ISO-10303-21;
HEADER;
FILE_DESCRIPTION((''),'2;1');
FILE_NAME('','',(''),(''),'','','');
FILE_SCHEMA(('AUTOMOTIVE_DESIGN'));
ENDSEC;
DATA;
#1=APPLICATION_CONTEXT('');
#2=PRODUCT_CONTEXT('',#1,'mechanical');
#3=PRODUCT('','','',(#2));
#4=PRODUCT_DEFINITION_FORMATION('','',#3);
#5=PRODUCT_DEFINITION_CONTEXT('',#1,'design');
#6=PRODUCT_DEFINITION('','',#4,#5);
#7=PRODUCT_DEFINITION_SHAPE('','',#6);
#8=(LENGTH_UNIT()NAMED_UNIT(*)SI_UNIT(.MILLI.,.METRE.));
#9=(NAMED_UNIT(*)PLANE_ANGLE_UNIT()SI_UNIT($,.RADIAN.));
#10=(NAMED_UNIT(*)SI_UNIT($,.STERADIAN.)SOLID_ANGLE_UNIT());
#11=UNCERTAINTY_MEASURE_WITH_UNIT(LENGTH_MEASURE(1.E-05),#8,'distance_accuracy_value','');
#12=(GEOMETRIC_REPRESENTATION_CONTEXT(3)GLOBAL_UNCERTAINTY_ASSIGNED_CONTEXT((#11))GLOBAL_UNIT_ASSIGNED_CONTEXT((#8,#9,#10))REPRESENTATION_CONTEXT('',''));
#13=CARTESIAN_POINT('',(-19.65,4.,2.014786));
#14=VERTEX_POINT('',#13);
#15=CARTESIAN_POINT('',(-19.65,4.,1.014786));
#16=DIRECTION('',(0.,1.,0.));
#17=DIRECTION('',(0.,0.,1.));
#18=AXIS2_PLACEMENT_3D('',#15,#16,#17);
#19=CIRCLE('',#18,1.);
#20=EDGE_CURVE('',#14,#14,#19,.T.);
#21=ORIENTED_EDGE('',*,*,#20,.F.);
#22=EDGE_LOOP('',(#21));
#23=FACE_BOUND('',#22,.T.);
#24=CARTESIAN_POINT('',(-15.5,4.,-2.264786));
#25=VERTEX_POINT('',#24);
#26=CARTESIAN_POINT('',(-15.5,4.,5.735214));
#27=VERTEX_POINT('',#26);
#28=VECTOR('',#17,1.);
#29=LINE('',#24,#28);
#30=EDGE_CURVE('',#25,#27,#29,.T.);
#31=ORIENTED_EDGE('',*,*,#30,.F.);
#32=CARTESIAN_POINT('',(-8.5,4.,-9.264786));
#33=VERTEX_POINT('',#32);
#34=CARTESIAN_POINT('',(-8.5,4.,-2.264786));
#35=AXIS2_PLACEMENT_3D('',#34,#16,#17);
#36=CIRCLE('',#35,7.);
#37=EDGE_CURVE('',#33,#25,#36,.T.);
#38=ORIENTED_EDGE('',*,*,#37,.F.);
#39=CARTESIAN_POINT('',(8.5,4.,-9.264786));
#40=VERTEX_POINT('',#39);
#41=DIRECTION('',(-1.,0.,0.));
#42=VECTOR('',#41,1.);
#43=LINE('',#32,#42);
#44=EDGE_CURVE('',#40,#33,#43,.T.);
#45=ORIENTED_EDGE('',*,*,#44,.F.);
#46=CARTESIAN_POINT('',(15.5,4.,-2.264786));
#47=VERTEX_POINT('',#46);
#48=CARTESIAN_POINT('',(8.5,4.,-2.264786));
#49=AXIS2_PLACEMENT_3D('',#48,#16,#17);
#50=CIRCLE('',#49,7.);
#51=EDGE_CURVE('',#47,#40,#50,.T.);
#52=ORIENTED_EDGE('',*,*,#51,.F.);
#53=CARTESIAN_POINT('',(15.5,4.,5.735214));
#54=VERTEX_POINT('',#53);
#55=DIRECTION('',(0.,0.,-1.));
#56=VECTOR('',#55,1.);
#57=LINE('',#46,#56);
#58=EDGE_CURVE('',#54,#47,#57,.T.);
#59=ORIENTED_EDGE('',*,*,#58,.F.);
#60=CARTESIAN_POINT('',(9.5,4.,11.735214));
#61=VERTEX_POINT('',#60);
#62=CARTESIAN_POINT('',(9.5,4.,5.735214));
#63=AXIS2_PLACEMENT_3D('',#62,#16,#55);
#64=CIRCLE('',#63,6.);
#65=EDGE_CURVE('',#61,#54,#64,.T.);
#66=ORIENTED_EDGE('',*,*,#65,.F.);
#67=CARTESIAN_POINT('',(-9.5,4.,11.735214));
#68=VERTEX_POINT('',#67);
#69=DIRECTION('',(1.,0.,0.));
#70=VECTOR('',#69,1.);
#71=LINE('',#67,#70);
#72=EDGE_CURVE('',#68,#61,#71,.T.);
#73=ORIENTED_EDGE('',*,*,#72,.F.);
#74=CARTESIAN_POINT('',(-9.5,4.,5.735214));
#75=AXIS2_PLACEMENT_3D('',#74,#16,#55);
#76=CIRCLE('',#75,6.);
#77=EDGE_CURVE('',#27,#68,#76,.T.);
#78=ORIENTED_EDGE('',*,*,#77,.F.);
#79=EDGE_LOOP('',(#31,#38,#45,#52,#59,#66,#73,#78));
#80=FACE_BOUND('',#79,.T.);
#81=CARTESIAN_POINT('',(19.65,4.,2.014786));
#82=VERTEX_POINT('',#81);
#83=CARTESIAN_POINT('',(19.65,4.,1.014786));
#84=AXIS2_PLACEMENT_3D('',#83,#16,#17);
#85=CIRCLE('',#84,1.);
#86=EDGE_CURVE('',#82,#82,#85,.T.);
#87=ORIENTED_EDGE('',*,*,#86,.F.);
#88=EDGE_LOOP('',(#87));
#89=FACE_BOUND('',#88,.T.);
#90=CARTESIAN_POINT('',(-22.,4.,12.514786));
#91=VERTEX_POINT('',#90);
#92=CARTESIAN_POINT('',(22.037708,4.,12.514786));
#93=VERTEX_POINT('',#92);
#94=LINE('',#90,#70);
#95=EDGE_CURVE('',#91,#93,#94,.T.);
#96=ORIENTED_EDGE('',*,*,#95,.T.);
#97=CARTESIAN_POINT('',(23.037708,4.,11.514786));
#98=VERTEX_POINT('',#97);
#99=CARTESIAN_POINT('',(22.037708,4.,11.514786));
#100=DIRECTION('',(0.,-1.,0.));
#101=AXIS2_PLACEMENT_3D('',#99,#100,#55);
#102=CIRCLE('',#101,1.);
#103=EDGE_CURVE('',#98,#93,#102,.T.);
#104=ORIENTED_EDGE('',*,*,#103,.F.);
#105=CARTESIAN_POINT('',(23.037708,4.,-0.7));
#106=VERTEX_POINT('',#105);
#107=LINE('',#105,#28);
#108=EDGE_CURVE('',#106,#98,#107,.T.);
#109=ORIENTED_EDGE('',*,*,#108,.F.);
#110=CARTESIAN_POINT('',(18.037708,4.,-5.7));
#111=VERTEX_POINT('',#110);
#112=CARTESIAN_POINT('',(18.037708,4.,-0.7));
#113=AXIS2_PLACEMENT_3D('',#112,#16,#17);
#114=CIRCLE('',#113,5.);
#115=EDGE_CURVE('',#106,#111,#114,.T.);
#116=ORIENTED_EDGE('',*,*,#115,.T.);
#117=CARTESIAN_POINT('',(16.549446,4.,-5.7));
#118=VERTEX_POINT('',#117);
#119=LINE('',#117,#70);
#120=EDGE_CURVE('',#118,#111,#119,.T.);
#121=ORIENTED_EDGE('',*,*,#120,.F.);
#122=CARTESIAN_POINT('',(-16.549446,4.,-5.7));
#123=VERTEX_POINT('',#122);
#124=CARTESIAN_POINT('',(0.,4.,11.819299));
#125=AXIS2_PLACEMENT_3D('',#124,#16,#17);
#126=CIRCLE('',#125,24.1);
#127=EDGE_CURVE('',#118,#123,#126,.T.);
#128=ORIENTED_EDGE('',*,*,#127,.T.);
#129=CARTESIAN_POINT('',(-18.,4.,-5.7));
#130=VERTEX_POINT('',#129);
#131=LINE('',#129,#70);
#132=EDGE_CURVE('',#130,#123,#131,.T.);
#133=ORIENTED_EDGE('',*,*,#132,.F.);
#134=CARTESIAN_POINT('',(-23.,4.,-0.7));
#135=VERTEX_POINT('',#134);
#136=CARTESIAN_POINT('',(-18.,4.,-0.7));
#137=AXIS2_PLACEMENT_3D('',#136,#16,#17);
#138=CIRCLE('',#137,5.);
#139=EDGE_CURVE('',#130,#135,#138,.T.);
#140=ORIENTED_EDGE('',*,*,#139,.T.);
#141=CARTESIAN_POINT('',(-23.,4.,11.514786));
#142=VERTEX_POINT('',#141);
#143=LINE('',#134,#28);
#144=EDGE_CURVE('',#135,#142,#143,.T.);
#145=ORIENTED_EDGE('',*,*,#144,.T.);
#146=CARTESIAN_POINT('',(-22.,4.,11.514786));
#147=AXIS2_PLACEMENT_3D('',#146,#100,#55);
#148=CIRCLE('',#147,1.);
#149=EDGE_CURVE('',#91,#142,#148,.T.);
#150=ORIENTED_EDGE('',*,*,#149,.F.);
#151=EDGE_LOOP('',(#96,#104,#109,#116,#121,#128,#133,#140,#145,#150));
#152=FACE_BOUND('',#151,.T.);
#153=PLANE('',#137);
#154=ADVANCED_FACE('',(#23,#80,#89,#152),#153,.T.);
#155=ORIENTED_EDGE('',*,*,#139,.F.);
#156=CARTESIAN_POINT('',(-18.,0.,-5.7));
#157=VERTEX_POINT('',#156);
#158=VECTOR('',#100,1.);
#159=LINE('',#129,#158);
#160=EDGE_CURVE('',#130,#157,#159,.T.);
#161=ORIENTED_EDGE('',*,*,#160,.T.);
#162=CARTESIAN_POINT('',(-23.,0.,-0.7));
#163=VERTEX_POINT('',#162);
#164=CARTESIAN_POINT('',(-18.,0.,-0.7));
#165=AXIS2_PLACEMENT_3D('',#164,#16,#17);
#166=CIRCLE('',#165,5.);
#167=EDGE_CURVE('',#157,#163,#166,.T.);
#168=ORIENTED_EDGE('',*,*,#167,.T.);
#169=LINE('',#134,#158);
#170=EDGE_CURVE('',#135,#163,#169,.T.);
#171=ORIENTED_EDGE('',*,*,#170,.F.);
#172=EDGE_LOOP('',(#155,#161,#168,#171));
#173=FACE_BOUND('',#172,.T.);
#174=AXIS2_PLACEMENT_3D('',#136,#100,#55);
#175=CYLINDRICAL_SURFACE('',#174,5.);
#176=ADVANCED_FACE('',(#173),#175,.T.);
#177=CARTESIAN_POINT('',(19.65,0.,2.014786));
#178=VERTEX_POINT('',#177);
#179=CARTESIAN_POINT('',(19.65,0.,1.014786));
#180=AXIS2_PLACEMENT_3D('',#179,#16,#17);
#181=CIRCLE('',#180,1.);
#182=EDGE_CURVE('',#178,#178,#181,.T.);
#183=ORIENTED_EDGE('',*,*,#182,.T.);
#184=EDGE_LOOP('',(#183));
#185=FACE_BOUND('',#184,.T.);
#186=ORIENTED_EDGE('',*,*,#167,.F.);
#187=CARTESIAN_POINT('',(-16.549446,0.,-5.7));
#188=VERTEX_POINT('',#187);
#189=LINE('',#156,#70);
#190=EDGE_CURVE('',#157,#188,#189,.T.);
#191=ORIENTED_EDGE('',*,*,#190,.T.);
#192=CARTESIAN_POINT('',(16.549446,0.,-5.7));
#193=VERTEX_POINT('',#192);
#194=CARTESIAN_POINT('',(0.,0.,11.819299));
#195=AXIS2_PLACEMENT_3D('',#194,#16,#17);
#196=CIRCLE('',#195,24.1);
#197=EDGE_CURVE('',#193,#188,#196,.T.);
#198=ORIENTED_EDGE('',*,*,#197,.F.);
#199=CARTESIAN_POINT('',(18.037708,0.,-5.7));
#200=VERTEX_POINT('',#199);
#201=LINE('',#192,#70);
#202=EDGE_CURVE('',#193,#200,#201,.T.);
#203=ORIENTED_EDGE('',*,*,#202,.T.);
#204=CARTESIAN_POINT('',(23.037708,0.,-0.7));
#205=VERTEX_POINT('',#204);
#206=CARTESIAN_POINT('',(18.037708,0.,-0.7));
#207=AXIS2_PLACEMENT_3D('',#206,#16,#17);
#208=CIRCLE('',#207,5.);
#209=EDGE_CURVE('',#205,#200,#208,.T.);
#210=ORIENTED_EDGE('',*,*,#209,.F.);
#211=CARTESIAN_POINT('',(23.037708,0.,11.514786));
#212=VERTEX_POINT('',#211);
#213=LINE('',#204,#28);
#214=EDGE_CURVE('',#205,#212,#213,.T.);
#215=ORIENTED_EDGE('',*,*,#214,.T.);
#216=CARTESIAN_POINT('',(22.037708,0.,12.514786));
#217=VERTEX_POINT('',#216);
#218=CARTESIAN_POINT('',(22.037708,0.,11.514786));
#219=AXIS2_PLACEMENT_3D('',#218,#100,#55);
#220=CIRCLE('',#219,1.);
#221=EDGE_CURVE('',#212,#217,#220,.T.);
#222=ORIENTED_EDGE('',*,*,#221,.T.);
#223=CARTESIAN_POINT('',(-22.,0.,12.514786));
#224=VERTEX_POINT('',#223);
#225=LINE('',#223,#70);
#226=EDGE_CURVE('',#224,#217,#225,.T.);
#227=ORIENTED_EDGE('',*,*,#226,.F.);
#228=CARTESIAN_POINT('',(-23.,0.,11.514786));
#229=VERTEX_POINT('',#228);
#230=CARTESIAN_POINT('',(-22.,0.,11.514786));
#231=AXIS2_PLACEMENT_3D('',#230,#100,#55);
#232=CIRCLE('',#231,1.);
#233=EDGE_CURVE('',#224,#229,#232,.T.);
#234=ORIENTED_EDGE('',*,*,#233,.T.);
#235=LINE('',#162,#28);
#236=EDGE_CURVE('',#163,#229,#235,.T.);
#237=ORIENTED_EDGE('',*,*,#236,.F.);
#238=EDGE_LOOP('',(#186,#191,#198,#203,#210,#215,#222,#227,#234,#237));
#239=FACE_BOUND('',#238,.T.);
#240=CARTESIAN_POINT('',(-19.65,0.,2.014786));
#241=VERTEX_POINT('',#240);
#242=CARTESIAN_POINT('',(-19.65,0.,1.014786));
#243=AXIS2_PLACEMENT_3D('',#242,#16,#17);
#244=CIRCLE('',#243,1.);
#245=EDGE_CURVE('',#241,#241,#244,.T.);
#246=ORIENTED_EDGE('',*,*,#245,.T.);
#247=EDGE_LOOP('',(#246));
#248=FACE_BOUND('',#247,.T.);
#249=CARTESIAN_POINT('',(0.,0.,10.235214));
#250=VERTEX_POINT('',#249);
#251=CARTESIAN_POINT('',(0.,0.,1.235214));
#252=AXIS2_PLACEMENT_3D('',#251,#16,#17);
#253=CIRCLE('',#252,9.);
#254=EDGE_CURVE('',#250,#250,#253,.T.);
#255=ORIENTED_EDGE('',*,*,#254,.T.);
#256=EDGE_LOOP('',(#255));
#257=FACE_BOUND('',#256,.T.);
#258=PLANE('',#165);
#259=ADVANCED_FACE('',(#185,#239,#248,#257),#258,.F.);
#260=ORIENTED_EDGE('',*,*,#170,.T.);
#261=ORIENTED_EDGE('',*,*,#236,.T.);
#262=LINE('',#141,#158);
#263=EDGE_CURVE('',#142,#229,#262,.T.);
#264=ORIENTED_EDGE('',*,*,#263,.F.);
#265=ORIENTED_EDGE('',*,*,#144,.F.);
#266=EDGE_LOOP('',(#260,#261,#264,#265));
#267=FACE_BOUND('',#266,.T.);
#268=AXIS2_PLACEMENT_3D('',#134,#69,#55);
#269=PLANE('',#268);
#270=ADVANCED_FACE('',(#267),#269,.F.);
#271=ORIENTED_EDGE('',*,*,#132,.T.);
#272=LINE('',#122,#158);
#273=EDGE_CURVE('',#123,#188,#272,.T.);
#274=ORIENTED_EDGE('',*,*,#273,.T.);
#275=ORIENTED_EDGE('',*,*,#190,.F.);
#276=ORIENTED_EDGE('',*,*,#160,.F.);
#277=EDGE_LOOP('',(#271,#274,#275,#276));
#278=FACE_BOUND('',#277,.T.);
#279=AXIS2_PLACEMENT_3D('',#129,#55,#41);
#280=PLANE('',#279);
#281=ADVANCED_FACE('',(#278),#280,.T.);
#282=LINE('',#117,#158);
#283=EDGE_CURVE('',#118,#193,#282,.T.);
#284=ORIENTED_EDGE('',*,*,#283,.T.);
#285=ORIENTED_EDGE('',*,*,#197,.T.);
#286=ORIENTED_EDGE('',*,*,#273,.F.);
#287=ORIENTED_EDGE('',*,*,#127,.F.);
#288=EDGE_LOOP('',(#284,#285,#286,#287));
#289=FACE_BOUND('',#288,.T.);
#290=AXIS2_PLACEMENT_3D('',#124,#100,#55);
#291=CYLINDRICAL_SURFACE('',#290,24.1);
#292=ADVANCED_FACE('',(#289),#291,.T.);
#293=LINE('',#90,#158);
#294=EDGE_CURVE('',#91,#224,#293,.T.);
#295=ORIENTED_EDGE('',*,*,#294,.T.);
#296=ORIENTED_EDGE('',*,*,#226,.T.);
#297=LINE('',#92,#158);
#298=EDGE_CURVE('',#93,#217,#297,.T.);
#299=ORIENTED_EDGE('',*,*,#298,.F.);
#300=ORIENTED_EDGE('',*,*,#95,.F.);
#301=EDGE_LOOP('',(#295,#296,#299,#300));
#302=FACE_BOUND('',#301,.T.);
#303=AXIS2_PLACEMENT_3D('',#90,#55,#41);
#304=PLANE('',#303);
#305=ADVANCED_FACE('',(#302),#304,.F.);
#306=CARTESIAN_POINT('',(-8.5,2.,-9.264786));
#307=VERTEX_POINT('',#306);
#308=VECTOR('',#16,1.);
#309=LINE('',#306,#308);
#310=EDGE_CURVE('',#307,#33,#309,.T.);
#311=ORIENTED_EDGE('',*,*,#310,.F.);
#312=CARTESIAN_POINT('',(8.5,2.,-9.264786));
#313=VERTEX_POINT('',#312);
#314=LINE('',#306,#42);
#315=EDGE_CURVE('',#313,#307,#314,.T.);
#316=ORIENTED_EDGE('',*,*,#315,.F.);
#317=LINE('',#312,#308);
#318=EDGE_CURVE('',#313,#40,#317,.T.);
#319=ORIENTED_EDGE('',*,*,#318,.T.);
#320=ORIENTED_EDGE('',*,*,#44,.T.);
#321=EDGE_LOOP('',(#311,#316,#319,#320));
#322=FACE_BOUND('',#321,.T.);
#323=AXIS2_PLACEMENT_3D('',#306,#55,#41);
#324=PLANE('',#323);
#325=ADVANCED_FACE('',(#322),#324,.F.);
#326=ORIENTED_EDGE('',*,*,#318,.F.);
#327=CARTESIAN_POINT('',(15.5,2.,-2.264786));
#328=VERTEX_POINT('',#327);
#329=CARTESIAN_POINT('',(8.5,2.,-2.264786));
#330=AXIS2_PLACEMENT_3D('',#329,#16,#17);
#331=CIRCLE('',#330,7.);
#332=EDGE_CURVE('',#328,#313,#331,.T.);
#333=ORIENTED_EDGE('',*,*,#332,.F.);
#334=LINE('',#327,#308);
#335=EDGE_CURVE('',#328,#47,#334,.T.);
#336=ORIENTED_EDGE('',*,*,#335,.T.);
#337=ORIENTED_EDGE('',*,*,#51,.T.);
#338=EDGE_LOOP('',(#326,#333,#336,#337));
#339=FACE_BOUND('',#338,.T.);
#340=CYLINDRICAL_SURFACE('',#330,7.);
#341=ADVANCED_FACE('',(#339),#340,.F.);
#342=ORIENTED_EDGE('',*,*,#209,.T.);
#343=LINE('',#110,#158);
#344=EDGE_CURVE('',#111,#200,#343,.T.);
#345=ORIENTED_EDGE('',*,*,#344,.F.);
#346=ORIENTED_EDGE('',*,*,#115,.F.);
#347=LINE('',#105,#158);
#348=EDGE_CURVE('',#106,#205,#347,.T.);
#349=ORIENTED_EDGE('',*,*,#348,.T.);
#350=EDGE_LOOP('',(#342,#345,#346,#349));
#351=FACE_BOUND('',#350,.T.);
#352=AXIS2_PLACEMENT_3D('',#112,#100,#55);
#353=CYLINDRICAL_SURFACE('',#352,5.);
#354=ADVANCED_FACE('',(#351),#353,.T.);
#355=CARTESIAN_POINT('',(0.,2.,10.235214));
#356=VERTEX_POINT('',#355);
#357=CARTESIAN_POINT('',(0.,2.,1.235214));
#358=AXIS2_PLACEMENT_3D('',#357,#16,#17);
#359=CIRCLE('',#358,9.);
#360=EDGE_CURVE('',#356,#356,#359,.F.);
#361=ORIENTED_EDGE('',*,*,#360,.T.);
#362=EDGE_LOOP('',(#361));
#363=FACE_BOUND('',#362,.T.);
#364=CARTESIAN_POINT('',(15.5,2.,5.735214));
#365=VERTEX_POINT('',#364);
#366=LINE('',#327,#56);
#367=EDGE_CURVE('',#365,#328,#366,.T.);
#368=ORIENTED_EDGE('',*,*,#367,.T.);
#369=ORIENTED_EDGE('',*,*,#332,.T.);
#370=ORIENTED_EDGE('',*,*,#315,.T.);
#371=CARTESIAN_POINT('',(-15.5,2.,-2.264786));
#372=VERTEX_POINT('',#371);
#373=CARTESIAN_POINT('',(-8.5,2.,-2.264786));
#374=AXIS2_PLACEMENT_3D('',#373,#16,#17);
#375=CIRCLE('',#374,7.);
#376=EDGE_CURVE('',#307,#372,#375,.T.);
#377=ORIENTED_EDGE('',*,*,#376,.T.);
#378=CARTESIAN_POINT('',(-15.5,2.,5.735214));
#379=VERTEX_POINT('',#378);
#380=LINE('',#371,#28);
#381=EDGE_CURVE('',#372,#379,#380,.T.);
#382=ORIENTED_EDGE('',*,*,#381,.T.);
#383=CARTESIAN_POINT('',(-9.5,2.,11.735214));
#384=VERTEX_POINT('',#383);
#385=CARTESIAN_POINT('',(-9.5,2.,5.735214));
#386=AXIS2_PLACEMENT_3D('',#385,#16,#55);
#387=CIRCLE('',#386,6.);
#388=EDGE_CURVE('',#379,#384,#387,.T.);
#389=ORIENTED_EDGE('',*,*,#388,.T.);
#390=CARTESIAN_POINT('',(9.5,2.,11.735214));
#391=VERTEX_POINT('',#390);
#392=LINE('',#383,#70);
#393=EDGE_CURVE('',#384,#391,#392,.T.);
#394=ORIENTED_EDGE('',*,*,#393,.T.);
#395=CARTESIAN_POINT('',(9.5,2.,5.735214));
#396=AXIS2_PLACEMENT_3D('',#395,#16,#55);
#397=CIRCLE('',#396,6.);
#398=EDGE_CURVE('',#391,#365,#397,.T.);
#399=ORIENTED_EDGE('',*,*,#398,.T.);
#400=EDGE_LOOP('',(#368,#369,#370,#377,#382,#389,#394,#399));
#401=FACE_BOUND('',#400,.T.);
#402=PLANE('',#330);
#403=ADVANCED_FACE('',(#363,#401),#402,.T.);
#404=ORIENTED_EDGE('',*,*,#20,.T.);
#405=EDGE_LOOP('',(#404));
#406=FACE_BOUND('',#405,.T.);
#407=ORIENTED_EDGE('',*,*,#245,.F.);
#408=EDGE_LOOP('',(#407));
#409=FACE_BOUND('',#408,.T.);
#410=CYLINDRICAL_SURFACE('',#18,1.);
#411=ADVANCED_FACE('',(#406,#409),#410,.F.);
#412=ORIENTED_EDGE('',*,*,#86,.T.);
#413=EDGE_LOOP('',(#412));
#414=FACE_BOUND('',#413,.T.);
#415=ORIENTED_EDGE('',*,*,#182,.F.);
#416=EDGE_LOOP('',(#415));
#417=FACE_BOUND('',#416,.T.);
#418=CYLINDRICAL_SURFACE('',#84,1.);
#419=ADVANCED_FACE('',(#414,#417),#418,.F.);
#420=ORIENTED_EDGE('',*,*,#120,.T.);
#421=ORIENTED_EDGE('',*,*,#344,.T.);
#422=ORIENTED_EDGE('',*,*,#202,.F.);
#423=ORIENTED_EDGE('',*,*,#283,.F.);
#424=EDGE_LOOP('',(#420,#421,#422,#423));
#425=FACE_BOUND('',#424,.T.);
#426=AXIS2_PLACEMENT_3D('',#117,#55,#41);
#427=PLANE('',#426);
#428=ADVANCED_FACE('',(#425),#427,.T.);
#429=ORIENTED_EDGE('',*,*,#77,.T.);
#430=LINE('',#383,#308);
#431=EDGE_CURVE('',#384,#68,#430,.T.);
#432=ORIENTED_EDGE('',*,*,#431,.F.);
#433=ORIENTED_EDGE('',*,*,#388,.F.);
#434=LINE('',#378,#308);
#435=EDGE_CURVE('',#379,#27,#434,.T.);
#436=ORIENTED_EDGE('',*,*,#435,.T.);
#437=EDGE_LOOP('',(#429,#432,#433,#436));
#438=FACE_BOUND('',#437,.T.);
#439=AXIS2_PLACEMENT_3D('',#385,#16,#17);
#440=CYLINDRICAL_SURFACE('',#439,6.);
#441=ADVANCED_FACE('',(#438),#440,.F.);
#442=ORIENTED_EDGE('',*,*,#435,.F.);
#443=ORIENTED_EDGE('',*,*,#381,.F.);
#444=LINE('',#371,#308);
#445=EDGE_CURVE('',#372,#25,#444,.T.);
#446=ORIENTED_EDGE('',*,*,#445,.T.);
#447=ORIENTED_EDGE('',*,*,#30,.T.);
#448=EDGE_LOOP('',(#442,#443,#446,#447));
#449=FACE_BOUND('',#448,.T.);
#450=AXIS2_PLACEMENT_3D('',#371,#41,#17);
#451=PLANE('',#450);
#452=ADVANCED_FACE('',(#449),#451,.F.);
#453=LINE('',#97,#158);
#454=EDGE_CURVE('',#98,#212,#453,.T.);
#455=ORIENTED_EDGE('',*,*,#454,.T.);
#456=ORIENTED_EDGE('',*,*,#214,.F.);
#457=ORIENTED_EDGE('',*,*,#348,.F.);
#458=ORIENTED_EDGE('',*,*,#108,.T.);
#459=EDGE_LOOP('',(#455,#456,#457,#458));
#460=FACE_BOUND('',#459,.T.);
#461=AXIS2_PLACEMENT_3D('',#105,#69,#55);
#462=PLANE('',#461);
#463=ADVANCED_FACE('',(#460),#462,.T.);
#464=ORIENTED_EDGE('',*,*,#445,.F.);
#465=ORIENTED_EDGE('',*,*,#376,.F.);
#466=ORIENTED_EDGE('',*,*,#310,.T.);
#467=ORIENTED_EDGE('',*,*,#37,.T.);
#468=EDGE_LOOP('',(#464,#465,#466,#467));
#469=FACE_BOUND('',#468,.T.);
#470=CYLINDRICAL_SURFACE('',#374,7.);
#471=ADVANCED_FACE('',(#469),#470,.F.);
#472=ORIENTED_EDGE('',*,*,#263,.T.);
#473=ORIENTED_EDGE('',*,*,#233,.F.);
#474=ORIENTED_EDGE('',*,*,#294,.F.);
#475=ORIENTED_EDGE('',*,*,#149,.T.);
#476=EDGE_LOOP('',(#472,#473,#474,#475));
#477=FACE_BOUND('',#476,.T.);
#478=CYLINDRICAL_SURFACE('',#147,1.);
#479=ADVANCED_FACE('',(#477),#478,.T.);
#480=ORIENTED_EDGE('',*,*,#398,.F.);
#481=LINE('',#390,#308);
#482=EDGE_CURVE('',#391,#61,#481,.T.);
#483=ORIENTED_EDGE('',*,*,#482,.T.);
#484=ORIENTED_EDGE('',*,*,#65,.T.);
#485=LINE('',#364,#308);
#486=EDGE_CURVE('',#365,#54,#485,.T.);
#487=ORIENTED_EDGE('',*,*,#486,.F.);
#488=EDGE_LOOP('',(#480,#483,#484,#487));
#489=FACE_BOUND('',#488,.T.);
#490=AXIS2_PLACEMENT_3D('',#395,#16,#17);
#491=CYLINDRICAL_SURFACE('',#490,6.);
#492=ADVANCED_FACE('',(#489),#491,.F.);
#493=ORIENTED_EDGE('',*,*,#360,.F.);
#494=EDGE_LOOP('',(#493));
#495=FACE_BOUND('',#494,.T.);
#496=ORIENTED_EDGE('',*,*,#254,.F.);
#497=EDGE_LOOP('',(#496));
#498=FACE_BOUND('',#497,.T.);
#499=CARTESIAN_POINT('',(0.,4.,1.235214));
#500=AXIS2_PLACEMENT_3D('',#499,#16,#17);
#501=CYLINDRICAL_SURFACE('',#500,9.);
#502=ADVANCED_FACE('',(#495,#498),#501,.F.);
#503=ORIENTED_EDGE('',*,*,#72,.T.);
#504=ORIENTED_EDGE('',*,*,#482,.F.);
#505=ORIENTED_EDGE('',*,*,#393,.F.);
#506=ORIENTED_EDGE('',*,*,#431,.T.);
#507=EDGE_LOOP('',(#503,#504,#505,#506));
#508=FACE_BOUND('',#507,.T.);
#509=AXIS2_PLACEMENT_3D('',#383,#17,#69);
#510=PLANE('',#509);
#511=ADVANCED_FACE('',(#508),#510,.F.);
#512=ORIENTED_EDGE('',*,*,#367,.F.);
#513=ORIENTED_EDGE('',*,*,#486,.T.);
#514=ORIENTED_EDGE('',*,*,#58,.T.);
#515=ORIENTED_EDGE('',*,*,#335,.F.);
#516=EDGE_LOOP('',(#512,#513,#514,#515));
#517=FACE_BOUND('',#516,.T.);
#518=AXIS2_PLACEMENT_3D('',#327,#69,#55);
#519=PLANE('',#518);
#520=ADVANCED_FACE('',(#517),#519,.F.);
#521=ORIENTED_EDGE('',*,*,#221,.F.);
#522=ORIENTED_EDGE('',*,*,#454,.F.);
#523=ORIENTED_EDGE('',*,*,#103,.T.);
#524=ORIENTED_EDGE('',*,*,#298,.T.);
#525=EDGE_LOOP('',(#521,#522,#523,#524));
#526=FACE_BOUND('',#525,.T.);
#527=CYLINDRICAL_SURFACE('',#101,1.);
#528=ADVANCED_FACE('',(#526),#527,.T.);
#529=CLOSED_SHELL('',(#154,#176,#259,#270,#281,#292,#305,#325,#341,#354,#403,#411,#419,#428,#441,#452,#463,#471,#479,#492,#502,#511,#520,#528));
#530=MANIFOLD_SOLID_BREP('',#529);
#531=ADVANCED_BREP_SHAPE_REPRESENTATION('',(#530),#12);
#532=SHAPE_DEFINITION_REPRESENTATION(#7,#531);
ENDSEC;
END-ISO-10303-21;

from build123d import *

# Parameters (mm, degrees)
BOSS_EXTRUDE1_DEPTH       = 4
F_2_0MM_DOWEL_HOLE1_D     = 18
F_2_0MM_DOWEL_HOLE2_D     = 2
F_2_0MM_DOWEL_HOLE2_DEPTH = 10
CUT_EXTRUDE3_DEPTH        = 2


with BuildPart() as part:
    # Sketch1 → Boss-Extrude1 (new body)
    with BuildSketch(Plane(origin=(0, 0, 0), x_dir=(1, 0, 0), z_dir=(0, 1, 0))):
        with BuildLine():
            Line((16.549446177, 5.7), (18.037708346, 5.7))
            ThreePointArc((18.037708346, 5.7), (21.573242252, 4.235533906), (23.037708346, 0.7))
            Line((23.037708346, 0.7), (23.037708346, -11.514786255))
            ThreePointArc((23.037708346, -11.514786255), (22.744815127, -12.221893036), (22.037708346, -12.514786255))
            Line((22.037708346, -12.514786255), (-22, -12.514786255))
            ThreePointArc((-22, -12.514786255), (-22.707106781, -12.221893036), (-23, -11.514786255))
            Line((-23, -11.514786255), (-23, 0.7))
            ThreePointArc((-23, 0.7), (-21.535533906, 4.235533906), (-18, 5.7))
            Line((-18, 5.7), (-16.549446177, 5.7))
            ThreePointArc((-16.549446177, 5.7), (0, 12.280701177), (16.549446177, 5.7))
        make_face()
    extrude(amount=BOSS_EXTRUDE1_DEPTH)

    # Ø2.0mm Dowel Hole1 (through all)
    with Locations(Plane(origin=(0, 4, 0), x_dir=(1, 0, 0), z_dir=(0, 1, 0))):
        with Locations((0, -1.235213745)):
            Hole(F_2_0MM_DOWEL_HOLE1_D / 2)

    # Ø2.0mm Dowel Hole2
    with Locations(Plane(origin=(0, 4, 0), x_dir=(1, 0, 0), z_dir=(0, 1, 0))):
        with Locations((-19.65, -1.014786255), (19.65, -1.014786255)):
            Hole(F_2_0MM_DOWEL_HOLE2_D / 2, depth=F_2_0MM_DOWEL_HOLE2_DEPTH)

    # Sketch9 → Cut-Extrude3 (cut)
    with BuildSketch(Plane(origin=(0, 4, 0), x_dir=(1, 0, 0), z_dir=(0, 1, 0))):
        with BuildLine():
            Line((-8.5, 9.264786255), (8.5, 9.264786255))
            ThreePointArc((8.5, 9.264786255), (13.449747468, 7.214533723), (15.5, 2.264786255))
            Line((15.5, 2.264786255), (15.5, -5.735213745))
            ThreePointArc((15.5, -5.735213745), (13.742640687, -9.977854433), (9.5, -11.735213745))
            Line((9.5, -11.735213745), (-9.5, -11.735213745))
            ThreePointArc((-9.5, -11.735213745), (-13.742640687, -9.977854433), (-15.5, -5.735213745))
            Line((-15.5, -5.735213745), (-15.5, 2.264786255))
            ThreePointArc((-15.5, 2.264786255), (-13.449747468, 7.214533723), (-8.5, 9.264786255))
        make_face()
    extrude(amount=-CUT_EXTRUDE3_DEPTH, mode=Mode.SUBTRACT)


solid = part.part
